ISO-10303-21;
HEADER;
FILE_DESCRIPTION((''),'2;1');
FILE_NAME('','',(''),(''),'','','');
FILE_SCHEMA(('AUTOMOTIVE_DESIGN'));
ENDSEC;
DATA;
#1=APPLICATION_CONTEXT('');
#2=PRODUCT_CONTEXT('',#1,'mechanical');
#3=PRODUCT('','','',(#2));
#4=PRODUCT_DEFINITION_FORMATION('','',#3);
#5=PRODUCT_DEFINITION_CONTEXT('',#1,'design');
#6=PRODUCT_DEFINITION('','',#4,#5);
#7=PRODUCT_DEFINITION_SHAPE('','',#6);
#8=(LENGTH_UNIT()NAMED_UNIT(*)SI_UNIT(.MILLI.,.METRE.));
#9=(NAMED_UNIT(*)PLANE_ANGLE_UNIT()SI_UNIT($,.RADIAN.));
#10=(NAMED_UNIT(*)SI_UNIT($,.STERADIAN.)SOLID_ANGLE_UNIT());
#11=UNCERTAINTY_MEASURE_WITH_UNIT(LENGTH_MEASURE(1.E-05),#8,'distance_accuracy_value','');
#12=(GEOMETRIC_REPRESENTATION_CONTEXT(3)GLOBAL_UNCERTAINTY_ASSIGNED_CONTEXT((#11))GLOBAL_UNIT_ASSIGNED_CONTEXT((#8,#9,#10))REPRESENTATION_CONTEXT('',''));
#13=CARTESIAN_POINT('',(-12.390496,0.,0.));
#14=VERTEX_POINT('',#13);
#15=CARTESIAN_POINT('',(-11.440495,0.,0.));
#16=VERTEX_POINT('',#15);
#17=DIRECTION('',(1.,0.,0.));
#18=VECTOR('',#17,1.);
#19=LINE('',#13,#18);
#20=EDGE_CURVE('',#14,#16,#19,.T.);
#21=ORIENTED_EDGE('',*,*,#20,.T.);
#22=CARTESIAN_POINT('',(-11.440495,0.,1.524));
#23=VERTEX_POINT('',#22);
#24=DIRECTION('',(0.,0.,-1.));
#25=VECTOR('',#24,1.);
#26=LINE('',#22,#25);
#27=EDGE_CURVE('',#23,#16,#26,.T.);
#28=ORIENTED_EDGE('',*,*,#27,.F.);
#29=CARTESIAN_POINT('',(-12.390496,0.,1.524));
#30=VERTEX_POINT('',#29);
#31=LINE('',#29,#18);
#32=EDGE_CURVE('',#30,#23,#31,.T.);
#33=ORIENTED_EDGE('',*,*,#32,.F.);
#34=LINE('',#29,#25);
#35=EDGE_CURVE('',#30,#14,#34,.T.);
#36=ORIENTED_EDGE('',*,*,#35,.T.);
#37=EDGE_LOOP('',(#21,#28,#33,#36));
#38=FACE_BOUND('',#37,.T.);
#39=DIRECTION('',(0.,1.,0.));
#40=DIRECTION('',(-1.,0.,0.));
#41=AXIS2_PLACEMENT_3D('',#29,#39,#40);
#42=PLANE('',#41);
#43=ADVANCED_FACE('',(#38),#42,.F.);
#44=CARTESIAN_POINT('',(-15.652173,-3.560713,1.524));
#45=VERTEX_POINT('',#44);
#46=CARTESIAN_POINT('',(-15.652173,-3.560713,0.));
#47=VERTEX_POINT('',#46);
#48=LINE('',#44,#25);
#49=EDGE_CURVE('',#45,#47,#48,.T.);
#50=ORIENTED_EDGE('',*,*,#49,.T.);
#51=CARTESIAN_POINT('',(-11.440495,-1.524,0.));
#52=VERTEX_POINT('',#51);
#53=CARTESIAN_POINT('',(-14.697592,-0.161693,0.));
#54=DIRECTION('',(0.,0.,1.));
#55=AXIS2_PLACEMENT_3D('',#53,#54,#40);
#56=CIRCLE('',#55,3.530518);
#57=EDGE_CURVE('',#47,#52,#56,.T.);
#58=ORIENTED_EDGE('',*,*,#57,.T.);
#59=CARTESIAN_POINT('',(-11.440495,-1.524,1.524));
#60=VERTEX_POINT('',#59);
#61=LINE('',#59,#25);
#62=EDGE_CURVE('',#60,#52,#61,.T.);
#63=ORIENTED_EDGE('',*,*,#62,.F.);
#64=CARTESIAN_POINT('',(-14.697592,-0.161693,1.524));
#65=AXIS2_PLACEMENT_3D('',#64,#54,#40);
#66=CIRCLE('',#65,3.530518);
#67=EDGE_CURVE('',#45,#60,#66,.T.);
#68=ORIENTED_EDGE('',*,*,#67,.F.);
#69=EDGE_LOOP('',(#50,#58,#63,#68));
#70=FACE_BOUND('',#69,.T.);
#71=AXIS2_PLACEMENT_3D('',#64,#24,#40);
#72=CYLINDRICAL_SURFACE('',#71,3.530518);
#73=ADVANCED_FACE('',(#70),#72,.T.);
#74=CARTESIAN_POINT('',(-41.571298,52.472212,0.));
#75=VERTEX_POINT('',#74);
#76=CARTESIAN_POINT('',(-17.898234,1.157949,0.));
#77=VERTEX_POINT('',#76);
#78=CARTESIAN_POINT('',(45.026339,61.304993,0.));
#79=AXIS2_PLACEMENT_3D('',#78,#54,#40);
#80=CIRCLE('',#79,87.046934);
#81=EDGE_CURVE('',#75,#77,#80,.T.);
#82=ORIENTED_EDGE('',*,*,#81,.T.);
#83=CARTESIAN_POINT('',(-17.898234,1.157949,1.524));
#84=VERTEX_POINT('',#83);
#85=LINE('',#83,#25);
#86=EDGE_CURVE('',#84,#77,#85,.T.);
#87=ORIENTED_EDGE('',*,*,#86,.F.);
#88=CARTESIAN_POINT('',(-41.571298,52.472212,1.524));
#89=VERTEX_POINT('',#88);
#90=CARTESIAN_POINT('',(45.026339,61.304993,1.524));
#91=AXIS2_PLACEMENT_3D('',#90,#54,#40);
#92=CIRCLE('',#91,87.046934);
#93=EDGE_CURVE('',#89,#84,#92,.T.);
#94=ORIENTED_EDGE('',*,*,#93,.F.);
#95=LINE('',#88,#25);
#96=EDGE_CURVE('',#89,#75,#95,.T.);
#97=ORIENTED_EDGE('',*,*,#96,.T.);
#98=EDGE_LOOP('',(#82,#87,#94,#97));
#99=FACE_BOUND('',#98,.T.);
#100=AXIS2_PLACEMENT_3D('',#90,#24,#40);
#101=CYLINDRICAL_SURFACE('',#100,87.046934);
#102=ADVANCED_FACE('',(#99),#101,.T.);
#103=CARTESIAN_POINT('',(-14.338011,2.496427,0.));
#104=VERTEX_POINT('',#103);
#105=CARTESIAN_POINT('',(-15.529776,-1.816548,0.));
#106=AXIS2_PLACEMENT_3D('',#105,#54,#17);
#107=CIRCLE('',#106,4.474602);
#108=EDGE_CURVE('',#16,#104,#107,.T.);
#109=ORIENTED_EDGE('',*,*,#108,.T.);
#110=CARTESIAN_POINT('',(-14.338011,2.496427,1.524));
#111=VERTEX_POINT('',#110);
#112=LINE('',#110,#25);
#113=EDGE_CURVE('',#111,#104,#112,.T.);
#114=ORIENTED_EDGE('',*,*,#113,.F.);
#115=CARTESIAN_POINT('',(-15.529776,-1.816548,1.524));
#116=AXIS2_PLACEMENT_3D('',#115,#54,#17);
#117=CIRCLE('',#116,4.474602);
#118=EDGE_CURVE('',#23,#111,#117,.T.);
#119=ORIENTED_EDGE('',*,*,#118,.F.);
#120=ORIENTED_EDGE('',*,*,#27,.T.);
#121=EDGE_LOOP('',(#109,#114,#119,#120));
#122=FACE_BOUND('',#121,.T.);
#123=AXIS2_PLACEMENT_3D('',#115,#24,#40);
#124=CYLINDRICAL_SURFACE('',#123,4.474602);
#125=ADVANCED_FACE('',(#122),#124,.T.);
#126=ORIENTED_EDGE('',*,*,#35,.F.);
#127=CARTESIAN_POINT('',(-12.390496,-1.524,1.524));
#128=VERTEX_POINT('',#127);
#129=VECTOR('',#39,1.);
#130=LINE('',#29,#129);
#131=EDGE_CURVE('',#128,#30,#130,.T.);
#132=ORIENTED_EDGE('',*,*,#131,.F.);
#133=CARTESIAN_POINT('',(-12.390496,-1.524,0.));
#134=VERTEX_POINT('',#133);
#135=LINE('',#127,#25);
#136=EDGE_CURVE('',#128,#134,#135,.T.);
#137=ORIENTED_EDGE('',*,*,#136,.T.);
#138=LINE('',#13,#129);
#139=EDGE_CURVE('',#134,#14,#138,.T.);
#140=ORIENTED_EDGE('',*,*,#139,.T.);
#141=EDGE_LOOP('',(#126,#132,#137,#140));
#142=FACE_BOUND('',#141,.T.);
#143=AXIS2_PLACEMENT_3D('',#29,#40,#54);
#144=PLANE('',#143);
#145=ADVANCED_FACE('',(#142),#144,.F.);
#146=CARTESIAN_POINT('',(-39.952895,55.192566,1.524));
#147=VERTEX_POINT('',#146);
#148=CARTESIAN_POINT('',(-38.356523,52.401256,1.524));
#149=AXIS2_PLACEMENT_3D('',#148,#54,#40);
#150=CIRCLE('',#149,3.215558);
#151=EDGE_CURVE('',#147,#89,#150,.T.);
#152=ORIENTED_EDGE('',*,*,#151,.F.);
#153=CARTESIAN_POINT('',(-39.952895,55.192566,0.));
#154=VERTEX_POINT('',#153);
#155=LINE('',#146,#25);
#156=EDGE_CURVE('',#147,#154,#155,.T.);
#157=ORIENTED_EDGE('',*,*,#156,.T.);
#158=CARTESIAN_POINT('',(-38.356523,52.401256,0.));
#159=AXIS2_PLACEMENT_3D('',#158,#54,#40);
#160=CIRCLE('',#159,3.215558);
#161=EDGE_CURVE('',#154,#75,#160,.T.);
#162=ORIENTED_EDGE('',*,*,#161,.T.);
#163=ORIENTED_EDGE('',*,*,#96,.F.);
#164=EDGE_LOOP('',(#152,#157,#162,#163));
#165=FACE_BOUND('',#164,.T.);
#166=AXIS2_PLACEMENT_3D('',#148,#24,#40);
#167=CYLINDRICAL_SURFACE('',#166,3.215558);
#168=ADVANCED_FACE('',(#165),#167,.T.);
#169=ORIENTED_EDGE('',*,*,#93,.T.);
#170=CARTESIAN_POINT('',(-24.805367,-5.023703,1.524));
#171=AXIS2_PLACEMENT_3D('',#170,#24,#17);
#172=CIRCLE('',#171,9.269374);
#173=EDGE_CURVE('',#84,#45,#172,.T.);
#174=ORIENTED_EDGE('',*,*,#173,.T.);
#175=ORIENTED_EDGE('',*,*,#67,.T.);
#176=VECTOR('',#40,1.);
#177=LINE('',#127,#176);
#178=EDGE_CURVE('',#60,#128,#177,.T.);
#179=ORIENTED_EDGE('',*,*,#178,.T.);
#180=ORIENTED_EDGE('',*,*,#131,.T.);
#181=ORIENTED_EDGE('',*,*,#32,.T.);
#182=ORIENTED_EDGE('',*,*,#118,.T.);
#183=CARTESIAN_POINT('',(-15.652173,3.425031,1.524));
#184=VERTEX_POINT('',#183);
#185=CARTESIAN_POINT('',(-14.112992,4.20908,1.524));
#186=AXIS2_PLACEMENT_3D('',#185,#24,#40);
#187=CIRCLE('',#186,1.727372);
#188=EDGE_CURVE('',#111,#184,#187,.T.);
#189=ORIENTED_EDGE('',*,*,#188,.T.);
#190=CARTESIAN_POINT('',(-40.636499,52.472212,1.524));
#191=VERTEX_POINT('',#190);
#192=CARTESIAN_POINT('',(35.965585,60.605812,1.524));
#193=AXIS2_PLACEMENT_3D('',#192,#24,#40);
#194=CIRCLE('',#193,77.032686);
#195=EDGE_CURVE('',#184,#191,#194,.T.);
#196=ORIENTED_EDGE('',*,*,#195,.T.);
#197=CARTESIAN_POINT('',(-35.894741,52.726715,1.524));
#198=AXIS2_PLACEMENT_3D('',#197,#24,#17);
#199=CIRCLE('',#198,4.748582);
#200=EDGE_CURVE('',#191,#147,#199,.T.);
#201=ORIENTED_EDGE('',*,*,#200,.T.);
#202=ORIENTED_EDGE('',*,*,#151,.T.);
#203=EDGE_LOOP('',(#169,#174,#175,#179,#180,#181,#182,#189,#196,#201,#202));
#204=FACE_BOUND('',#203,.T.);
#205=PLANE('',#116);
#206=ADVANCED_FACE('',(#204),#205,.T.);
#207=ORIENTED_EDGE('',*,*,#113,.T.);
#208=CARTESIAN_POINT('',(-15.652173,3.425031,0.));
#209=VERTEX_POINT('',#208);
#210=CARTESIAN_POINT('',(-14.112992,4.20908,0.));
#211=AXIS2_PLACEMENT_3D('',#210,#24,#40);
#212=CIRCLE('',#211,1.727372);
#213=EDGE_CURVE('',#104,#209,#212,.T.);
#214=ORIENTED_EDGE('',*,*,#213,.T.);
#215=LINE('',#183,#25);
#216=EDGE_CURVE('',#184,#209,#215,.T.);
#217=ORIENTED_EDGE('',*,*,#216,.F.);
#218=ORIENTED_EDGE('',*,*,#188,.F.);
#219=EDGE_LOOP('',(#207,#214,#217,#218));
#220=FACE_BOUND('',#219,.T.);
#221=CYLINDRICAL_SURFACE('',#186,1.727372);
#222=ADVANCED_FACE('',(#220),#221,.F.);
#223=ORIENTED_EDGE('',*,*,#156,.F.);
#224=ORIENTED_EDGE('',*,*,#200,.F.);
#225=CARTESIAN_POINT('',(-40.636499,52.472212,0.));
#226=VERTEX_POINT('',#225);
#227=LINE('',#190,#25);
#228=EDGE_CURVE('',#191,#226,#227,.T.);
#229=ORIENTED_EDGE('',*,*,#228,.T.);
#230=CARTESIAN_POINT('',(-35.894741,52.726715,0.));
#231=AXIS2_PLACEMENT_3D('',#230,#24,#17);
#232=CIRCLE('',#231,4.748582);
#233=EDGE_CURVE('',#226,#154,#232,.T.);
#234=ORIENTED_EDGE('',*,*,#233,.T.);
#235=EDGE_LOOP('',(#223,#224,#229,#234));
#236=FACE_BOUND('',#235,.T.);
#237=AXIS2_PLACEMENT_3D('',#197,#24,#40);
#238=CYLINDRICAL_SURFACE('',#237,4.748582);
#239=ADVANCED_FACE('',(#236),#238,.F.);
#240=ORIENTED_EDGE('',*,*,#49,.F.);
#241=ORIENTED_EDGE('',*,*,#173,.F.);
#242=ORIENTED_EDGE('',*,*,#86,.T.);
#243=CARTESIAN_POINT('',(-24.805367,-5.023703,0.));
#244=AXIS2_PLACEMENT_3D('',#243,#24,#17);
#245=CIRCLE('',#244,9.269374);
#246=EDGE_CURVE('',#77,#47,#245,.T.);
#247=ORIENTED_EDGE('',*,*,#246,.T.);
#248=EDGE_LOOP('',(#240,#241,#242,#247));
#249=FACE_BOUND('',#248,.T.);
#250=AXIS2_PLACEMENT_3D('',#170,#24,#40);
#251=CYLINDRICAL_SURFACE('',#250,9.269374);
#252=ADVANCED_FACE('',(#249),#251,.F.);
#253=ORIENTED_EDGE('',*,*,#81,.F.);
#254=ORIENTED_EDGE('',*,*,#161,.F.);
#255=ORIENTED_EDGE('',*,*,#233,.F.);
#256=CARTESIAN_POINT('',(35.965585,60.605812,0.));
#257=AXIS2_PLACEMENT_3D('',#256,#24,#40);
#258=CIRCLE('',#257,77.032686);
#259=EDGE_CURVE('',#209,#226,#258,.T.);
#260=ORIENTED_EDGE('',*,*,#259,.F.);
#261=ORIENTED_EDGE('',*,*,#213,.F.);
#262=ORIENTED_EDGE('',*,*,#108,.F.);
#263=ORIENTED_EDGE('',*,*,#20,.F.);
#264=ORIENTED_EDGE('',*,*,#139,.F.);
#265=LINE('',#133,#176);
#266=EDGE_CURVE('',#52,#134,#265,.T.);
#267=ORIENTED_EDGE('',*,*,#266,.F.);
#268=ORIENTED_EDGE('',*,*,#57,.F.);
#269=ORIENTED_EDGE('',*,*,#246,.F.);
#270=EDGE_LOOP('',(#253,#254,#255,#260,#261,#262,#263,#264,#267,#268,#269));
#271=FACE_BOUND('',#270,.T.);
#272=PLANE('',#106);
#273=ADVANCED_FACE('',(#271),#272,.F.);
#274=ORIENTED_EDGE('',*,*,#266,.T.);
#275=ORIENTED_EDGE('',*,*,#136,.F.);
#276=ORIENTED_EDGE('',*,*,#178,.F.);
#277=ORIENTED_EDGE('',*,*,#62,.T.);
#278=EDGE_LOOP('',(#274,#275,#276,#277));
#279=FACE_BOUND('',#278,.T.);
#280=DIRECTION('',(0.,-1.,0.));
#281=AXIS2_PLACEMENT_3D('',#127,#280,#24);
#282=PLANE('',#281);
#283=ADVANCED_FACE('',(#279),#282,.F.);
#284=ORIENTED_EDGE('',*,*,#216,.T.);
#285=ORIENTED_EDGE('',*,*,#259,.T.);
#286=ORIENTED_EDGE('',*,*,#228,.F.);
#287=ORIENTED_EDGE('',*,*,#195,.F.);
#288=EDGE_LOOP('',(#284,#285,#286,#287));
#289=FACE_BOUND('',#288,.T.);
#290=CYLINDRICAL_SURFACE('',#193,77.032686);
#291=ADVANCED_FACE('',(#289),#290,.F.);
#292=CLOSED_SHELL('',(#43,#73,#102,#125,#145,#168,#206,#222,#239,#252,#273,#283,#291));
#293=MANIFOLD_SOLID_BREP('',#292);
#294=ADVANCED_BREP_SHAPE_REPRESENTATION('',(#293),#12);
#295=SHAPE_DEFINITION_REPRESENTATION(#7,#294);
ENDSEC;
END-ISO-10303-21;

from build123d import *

# Parameters (mm, degrees)
BOSS_EXTRUDE1_DEPTH = 1.524


with BuildPart() as part:
    # Sketch1 → Boss-Extrude1 (new body)
    with BuildSketch(Plane.XY):
        with BuildLine():
            Line((-12.390496283, 0), (-12.390496283, -1.524))
            Line((-12.390496283, -1.524), (-11.440495099, -1.524))
            ThreePointArc((-11.440495099, -1.524), (-13.160567298, -3.340075702), (-15.652172906, -3.560713016))
            ThreePointArc((-15.652172906, -3.560713016), (-16.43578107, -1.039818757), (-17.898233983, 1.157948542))
            ThreePointArc((-17.898233983, 1.157948542), (-34.014860834, 24.840522989), (-41.571298491, 52.472212106))
            ThreePointArc((-41.571298491, 52.472212106), (-41.120011165, 54.045320934), (-39.952895072, 55.192566182))
            ThreePointArc((-39.952895072, 55.192566182), (-40.500139361, 53.88401522), (-40.636498822, 52.472212106))
            ThreePointArc((-40.636498822, 52.472212106), (-32.67469804, 25.640883384), (-15.652172906, 3.425030694))
            ThreePointArc((-15.652172906, 3.425030694), (-15.109824899, 2.798358256), (-14.338010517, 2.496427364))
            ThreePointArc((-14.338010517, 2.496427364), (-12.609091081, 1.573387542), (-11.440495099, 0))
            Line((-11.440495099, 0), (-12.390496283, 0))
        make_face()
    extrude(amount=BOSS_EXTRUDE1_DEPTH)


solid = part.part
